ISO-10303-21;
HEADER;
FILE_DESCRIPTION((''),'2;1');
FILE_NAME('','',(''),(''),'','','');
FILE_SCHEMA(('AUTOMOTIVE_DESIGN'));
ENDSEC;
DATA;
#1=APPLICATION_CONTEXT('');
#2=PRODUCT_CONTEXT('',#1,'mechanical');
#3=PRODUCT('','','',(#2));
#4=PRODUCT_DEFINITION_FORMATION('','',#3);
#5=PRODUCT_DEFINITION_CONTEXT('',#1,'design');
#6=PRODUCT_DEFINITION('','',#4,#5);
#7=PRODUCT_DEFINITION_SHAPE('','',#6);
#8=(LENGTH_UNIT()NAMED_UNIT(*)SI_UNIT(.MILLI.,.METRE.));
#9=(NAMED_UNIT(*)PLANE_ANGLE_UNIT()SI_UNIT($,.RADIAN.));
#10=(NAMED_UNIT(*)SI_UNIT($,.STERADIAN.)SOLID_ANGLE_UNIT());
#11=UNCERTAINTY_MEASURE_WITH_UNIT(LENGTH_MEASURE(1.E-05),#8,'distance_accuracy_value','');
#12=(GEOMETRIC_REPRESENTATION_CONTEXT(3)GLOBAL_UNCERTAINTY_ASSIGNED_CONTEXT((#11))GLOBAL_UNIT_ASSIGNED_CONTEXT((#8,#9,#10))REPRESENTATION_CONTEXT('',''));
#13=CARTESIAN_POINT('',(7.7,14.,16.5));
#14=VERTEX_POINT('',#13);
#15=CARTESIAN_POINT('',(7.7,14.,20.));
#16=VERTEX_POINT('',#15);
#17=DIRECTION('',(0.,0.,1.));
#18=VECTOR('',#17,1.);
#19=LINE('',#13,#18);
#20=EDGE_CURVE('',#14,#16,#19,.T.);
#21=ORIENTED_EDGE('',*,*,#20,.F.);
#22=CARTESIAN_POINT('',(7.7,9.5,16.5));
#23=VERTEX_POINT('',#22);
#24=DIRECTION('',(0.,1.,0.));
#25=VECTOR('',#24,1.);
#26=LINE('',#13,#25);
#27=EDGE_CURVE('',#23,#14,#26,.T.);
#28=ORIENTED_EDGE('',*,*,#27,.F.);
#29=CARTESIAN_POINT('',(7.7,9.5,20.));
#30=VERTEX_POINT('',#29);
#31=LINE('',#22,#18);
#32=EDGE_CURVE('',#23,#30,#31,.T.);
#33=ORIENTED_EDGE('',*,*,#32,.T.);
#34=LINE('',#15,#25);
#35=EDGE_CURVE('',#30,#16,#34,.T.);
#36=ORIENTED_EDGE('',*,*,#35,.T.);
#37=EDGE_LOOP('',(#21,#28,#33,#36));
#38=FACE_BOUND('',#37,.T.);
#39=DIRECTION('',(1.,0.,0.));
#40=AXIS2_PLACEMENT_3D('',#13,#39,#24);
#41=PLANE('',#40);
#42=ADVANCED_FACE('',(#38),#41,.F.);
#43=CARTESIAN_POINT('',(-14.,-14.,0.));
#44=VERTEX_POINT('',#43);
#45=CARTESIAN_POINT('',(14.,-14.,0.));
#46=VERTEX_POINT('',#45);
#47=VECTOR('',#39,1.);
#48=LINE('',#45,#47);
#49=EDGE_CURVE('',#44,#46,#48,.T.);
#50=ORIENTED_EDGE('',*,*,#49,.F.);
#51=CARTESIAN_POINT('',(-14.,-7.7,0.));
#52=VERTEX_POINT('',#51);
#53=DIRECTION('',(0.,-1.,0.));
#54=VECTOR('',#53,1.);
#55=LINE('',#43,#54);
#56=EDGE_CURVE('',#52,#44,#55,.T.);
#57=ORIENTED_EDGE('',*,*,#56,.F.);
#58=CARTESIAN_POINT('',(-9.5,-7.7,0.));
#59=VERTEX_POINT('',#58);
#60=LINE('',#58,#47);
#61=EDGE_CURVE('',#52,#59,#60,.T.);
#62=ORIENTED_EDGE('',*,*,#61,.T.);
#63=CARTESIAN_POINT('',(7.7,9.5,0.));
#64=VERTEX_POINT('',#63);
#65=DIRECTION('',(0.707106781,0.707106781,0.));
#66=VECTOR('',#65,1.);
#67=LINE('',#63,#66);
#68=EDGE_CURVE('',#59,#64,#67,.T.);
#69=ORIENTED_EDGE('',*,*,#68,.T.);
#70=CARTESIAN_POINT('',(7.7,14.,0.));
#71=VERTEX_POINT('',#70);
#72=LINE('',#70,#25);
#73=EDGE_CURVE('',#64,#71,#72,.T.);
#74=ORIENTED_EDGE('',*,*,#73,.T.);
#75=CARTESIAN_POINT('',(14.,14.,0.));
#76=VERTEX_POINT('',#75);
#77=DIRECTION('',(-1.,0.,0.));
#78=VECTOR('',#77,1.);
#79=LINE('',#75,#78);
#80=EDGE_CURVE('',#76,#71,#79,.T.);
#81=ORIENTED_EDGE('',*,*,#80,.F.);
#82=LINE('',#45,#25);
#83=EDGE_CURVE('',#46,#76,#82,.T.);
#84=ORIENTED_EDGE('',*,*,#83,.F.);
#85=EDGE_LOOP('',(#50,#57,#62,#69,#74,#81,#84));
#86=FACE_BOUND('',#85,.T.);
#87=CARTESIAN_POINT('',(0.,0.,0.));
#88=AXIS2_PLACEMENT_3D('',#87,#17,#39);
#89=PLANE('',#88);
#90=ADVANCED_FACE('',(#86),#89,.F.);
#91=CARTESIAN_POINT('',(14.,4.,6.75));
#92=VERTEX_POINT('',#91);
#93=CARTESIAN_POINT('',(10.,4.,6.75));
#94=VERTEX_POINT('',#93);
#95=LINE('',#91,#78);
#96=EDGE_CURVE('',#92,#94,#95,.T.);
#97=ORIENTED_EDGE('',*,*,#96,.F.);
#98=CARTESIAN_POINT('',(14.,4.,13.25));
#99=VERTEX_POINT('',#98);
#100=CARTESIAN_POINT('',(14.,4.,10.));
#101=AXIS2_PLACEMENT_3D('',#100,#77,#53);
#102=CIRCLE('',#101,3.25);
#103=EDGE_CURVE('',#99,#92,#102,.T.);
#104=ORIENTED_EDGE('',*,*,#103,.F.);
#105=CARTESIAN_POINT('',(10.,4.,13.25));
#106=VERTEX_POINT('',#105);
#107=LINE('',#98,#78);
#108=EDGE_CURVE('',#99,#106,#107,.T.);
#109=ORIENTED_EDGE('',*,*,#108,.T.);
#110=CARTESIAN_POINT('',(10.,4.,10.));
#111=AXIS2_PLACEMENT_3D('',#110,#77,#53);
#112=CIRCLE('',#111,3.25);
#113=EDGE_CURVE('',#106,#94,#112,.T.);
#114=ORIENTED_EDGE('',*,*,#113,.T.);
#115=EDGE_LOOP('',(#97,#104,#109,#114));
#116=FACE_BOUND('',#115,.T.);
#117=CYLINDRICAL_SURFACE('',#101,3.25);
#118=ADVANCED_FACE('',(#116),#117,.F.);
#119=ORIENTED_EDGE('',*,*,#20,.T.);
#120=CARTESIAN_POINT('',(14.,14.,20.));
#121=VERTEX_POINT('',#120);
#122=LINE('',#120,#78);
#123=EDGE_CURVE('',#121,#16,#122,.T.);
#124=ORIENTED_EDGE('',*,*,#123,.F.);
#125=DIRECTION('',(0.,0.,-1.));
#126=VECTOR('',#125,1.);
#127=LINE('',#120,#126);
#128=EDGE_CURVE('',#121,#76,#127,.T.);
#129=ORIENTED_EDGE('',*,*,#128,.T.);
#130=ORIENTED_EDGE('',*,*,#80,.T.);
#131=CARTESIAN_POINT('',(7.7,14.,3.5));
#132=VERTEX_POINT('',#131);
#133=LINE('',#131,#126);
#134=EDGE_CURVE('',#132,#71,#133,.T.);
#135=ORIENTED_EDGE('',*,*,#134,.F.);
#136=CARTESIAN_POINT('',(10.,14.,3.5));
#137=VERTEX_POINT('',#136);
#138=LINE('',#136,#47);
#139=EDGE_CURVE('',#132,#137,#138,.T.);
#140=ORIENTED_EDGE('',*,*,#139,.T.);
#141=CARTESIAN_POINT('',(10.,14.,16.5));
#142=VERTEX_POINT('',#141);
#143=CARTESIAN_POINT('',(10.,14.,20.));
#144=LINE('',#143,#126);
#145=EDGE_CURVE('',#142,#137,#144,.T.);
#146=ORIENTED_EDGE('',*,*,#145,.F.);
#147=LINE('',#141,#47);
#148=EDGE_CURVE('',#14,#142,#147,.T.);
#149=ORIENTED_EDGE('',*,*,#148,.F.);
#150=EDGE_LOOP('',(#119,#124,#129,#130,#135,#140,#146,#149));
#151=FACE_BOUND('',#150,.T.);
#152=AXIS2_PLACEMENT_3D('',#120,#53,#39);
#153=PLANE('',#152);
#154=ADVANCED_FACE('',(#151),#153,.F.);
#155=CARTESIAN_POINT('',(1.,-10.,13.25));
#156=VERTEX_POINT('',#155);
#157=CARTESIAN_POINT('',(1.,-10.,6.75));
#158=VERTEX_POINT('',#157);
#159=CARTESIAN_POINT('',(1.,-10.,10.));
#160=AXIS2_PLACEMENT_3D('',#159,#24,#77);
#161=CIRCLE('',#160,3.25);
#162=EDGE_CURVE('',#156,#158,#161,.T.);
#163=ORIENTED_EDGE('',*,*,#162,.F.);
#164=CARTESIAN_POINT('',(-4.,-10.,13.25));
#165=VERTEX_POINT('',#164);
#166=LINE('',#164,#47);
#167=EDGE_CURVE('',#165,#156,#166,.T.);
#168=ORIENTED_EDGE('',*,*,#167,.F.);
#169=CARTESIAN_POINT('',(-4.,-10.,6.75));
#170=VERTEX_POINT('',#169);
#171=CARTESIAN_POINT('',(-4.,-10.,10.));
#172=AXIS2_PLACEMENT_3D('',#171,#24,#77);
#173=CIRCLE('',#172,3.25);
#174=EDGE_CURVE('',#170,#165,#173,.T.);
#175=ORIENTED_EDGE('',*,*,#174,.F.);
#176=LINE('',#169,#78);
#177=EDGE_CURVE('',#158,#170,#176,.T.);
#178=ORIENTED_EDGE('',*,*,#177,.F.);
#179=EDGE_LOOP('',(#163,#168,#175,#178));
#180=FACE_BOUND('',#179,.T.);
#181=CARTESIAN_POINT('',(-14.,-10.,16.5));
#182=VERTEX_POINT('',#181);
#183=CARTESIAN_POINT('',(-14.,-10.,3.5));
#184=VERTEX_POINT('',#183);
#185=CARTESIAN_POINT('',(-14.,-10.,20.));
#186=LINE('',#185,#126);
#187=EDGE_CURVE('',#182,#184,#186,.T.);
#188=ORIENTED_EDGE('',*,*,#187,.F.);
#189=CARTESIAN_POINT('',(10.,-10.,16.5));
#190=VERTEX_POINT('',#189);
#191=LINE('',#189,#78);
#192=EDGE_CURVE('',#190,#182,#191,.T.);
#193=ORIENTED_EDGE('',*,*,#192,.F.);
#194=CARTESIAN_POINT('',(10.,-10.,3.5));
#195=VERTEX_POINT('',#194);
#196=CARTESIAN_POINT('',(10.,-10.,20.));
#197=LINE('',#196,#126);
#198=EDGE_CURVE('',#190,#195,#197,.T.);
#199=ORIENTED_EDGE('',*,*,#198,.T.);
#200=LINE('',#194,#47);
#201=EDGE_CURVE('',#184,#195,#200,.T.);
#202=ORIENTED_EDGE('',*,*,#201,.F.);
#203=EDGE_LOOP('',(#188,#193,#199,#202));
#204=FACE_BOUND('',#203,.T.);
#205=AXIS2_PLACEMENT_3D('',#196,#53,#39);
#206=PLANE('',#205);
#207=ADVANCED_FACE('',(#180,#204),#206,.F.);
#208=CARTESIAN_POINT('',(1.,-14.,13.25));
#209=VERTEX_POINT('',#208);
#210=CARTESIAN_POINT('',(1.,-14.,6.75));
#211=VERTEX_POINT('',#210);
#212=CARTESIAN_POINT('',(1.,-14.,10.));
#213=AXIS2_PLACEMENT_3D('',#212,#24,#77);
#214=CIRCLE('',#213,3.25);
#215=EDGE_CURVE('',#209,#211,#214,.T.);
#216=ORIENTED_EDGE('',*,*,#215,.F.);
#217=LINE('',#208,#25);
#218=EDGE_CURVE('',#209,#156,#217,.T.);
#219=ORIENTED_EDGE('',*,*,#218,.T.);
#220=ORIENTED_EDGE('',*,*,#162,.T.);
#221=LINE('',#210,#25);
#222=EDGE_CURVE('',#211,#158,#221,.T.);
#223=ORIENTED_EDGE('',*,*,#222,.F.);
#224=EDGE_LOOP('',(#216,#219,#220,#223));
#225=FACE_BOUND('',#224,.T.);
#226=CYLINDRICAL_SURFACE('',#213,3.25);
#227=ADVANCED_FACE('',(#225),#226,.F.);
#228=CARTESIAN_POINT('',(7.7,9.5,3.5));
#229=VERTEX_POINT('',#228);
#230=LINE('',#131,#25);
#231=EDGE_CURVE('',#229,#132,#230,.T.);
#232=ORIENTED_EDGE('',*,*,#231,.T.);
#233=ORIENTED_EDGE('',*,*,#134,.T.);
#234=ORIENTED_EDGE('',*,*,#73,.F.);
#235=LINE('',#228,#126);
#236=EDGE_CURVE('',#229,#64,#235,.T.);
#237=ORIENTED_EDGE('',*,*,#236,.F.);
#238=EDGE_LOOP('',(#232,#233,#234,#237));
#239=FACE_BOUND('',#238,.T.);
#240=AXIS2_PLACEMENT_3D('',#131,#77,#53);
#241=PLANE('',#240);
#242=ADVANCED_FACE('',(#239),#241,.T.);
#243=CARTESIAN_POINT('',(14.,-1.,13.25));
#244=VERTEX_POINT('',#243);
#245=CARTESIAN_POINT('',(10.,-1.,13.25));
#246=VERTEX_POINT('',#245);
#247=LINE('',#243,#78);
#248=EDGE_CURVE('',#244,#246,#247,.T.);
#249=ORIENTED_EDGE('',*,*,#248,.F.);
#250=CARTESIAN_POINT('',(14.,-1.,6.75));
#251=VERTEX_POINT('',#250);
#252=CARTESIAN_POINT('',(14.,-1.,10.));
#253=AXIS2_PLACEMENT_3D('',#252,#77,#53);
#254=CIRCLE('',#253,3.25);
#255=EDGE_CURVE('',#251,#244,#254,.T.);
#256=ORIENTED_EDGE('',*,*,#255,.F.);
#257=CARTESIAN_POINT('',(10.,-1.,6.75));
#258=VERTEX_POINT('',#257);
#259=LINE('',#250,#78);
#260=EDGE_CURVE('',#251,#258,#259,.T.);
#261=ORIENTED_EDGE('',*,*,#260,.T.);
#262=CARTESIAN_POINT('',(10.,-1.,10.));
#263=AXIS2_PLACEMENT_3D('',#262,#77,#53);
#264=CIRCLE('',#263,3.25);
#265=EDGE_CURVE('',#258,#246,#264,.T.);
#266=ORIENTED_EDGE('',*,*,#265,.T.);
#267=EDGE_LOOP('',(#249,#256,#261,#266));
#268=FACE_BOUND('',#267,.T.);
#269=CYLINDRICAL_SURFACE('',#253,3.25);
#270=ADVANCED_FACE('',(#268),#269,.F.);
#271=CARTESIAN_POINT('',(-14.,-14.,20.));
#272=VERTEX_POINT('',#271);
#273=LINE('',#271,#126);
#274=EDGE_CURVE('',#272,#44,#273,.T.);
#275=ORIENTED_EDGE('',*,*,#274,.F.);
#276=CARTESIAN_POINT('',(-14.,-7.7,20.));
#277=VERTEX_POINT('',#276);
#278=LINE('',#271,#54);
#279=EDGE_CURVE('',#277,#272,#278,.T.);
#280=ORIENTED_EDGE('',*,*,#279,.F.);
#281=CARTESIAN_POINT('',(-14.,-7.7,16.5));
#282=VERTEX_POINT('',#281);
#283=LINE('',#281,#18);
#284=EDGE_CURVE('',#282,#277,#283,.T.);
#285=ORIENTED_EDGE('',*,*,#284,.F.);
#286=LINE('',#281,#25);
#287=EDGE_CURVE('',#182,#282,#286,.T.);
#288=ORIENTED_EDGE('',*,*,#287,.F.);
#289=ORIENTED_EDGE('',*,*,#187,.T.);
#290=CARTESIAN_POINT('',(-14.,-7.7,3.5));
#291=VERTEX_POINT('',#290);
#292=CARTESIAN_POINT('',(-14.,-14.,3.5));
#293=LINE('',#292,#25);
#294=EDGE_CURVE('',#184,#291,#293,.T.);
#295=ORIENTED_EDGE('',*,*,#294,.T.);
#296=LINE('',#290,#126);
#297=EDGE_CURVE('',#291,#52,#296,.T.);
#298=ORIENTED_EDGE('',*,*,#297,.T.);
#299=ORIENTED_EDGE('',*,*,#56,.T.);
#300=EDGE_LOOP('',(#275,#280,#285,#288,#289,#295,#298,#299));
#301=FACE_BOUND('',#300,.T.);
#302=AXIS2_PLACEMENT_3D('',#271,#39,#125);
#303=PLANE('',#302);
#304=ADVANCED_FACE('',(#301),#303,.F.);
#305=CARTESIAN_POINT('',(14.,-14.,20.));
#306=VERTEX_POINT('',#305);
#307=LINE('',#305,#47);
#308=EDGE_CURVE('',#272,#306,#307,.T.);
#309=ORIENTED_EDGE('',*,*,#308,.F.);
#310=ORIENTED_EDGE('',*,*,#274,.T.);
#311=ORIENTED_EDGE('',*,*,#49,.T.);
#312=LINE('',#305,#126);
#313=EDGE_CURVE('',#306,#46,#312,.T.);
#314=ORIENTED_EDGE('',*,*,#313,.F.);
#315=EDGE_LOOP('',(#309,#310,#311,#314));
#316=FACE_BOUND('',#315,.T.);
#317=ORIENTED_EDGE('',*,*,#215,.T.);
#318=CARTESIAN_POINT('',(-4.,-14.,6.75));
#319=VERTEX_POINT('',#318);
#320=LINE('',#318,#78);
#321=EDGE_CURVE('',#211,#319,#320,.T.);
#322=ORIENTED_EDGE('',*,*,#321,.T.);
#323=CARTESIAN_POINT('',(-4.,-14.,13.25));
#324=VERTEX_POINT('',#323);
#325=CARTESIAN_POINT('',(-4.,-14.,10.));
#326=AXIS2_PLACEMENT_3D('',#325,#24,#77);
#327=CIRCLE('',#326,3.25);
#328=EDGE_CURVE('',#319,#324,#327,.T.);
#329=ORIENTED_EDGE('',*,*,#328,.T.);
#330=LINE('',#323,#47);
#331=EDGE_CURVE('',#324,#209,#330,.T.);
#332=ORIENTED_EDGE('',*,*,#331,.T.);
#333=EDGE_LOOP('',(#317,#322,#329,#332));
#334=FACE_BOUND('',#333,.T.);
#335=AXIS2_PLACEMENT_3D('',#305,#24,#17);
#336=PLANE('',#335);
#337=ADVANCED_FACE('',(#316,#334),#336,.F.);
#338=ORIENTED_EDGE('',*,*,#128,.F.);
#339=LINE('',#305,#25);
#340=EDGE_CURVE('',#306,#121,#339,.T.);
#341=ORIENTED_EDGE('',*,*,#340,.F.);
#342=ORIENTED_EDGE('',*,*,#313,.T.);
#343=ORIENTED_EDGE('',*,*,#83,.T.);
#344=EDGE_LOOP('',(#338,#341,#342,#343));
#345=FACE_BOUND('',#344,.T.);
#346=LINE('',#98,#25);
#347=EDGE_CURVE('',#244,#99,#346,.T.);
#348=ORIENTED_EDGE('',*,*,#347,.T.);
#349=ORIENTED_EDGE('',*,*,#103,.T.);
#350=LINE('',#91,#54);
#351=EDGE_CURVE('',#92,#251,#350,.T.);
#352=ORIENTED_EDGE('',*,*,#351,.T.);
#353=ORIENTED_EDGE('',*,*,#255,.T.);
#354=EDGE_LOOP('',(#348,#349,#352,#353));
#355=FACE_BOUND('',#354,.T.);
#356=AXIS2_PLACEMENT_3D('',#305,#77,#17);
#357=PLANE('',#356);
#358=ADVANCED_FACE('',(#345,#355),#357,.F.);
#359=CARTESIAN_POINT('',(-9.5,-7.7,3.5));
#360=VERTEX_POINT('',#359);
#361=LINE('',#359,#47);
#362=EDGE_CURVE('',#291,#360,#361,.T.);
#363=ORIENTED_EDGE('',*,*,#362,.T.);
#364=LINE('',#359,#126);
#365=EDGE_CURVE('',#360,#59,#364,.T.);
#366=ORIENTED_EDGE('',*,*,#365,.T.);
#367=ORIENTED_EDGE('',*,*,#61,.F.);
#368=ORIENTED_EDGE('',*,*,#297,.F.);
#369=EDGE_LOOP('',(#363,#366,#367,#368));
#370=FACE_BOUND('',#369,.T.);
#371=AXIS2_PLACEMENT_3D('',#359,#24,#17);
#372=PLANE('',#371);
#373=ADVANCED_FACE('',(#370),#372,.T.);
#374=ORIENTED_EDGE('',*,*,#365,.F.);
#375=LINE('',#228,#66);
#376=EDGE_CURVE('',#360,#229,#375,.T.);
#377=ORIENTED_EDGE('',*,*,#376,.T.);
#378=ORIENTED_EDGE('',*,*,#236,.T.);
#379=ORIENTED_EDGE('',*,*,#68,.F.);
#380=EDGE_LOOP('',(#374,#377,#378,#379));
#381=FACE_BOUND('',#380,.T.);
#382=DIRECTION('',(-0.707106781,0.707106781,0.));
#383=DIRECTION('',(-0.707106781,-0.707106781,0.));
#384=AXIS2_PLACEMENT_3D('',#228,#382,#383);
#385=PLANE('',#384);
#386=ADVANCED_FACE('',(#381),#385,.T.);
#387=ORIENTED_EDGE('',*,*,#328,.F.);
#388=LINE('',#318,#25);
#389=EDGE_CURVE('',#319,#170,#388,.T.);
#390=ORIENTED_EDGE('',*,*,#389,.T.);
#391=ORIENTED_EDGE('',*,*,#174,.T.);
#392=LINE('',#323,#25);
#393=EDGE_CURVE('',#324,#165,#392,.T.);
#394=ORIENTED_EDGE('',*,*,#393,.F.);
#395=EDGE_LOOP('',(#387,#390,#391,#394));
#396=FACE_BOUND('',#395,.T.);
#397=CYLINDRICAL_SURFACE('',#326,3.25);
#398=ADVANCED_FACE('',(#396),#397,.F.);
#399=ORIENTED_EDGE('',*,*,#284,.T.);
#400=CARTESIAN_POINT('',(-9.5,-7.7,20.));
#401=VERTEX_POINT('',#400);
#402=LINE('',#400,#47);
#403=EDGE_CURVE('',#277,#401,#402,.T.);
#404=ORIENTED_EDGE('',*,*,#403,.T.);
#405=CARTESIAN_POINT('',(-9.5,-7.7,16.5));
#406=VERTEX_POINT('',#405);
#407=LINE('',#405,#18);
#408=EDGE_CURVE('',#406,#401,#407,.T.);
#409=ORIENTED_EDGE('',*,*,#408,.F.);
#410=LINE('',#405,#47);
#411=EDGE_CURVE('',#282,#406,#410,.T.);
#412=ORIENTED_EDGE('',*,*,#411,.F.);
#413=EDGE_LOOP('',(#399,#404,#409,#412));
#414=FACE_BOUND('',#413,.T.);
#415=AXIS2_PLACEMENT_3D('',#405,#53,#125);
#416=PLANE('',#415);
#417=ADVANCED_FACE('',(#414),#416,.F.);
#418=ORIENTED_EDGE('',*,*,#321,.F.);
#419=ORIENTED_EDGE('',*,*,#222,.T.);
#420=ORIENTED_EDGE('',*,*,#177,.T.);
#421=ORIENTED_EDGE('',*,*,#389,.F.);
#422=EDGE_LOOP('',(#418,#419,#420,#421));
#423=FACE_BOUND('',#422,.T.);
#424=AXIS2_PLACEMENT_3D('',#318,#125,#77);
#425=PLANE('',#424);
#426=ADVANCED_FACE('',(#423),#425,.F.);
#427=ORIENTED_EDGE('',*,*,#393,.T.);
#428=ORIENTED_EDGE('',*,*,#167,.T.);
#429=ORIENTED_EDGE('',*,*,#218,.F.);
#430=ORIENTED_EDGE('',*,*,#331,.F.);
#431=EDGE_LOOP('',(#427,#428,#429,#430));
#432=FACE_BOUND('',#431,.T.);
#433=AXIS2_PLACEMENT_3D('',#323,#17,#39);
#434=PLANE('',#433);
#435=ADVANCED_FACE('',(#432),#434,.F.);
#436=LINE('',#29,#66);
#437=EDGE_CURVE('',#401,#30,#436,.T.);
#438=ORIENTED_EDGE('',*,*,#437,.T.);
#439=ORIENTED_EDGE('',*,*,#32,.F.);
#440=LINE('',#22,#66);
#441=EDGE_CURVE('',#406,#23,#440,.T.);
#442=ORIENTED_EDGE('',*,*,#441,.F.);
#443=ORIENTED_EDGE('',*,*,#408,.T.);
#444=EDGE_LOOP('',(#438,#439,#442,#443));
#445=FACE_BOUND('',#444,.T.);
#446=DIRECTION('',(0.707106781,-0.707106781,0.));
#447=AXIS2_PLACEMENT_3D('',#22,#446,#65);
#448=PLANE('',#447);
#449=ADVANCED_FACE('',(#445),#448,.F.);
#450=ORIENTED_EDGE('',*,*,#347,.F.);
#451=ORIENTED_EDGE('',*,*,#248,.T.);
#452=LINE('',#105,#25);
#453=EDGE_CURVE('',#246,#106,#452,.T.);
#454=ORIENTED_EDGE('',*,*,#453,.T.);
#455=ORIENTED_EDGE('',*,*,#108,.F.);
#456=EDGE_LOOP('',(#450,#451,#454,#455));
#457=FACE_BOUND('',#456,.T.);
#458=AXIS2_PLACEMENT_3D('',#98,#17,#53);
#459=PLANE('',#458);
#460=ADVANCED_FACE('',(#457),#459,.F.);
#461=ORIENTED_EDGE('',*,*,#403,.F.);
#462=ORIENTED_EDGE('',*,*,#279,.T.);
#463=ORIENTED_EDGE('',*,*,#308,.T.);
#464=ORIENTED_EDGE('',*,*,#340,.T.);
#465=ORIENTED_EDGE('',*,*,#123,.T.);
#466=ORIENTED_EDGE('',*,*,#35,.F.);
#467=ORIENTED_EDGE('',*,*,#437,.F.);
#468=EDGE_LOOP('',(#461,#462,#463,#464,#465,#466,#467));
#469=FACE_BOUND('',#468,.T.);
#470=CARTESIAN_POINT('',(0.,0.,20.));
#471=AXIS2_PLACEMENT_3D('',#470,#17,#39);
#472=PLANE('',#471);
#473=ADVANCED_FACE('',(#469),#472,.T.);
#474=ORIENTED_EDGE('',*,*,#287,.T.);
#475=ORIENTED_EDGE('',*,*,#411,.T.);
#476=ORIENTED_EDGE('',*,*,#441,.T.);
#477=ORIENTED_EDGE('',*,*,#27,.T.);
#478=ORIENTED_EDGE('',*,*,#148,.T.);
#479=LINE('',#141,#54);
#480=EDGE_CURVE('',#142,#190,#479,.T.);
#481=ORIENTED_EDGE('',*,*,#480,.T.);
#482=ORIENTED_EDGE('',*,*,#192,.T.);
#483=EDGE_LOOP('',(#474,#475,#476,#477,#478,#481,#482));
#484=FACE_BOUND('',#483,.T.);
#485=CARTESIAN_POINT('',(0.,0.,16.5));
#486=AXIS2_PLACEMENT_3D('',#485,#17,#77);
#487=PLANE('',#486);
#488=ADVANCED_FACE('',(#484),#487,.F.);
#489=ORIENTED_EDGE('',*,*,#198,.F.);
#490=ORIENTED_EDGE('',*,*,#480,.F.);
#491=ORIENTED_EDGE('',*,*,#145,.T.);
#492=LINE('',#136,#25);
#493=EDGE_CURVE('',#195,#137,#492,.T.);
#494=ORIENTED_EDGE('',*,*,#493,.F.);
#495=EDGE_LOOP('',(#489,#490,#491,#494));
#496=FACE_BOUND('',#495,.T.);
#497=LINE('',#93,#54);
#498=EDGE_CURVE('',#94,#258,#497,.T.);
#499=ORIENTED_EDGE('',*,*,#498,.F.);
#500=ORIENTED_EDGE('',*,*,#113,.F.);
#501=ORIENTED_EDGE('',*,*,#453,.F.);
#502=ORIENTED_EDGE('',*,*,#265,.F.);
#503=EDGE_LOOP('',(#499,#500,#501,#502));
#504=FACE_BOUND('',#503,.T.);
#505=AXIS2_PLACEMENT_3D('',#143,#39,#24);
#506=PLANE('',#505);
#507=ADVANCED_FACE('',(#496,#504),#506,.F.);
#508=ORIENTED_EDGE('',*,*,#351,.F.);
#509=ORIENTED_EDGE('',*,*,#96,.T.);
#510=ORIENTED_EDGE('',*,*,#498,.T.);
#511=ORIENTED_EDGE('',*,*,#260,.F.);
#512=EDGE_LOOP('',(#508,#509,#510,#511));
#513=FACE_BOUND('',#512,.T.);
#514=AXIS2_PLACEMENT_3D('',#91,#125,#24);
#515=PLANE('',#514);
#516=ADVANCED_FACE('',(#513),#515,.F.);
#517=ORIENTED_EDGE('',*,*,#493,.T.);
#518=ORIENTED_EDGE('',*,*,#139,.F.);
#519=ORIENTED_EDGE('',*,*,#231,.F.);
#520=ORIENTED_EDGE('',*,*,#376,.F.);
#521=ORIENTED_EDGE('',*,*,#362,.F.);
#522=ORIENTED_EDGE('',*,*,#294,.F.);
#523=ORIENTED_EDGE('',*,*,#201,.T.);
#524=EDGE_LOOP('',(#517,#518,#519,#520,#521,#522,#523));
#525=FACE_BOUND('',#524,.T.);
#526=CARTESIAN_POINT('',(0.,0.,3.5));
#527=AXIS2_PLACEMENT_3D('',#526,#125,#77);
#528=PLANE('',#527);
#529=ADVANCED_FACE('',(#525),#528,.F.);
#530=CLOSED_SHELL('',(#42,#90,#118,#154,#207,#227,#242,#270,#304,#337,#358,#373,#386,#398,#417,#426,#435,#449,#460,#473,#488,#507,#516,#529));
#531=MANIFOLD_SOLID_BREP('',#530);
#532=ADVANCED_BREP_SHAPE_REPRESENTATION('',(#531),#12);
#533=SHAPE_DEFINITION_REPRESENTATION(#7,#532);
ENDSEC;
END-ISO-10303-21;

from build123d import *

# Parameters (mm, degrees)
EXTRUDE_1_DEPTH     = 20
EXTRUDE_2_DEPTH     = 3.5
CUT_EXTRUDE_2_DEPTH = 35.234485537
CUT_EXTRUDE_3_DEPTH = 35.234485537


with BuildPart() as part:
    # 草图1 → 凸台-拉伸1 (new body)
    with BuildSketch(Plane.XY):
        Polygon((14, -14), (-14, -14), (-14, -10), (10, -10), (10, 14), (14, 14), align=None)
    extrude(amount=EXTRUDE_1_DEPTH)

    # 草图3 → 凸台-拉伸2 (add)
    with BuildSketch(Plane(origin=(0, 0, 0), x_dir=(-1, 0, 0), z_dir=(0, 0, -1))):
        Polygon((-10, 14), (-7.7, 14), (-7.7, 9.5), (9.5, -7.7), (14, -7.7), (14, -10), (14, -14), (-14, -14), (-14, 14), align=None)
    extrude_2 = extrude(amount=-EXTRUDE_2_DEPTH)

    # 镜向2: 凸台-拉伸2 across plane
    add(extrude_2.mirror(Plane.XY.offset(10)))

    # 草图6 → 切除-拉伸2 (cut, through all)
    with BuildSketch(Plane.ZY.offset(-10)):
        with BuildLine():
            Line((13.25, 4), (13.25, -1))
            ThreePointArc((13.25, -1), (10, -4.25), (6.75, -1))
            Line((6.75, -1), (6.75, 4))
            ThreePointArc((6.75, 4), (10, 7.25), (13.25, 4))
        make_face()
    extrude(amount=-CUT_EXTRUDE_2_DEPTH, mode=Mode.SUBTRACT)

    # 草图8 → 切除-拉伸3 (cut, through all)
    with BuildSketch(Plane(origin=(0, -10, 0), x_dir=(1, 0, 0), z_dir=(0, 1, 0))):
        with BuildLine():
            Line((-4, -6.75), (1, -6.75))
            ThreePointArc((1, -6.75), (4.25, -10), (1, -13.25))
            Line((1, -13.25), (-4, -13.25))
            ThreePointArc((-4, -13.25), (-7.25, -10), (-4, -6.75))
        make_face()
    extrude(amount=-CUT_EXTRUDE_3_DEPTH, mode=Mode.SUBTRACT)


solid = part.part
